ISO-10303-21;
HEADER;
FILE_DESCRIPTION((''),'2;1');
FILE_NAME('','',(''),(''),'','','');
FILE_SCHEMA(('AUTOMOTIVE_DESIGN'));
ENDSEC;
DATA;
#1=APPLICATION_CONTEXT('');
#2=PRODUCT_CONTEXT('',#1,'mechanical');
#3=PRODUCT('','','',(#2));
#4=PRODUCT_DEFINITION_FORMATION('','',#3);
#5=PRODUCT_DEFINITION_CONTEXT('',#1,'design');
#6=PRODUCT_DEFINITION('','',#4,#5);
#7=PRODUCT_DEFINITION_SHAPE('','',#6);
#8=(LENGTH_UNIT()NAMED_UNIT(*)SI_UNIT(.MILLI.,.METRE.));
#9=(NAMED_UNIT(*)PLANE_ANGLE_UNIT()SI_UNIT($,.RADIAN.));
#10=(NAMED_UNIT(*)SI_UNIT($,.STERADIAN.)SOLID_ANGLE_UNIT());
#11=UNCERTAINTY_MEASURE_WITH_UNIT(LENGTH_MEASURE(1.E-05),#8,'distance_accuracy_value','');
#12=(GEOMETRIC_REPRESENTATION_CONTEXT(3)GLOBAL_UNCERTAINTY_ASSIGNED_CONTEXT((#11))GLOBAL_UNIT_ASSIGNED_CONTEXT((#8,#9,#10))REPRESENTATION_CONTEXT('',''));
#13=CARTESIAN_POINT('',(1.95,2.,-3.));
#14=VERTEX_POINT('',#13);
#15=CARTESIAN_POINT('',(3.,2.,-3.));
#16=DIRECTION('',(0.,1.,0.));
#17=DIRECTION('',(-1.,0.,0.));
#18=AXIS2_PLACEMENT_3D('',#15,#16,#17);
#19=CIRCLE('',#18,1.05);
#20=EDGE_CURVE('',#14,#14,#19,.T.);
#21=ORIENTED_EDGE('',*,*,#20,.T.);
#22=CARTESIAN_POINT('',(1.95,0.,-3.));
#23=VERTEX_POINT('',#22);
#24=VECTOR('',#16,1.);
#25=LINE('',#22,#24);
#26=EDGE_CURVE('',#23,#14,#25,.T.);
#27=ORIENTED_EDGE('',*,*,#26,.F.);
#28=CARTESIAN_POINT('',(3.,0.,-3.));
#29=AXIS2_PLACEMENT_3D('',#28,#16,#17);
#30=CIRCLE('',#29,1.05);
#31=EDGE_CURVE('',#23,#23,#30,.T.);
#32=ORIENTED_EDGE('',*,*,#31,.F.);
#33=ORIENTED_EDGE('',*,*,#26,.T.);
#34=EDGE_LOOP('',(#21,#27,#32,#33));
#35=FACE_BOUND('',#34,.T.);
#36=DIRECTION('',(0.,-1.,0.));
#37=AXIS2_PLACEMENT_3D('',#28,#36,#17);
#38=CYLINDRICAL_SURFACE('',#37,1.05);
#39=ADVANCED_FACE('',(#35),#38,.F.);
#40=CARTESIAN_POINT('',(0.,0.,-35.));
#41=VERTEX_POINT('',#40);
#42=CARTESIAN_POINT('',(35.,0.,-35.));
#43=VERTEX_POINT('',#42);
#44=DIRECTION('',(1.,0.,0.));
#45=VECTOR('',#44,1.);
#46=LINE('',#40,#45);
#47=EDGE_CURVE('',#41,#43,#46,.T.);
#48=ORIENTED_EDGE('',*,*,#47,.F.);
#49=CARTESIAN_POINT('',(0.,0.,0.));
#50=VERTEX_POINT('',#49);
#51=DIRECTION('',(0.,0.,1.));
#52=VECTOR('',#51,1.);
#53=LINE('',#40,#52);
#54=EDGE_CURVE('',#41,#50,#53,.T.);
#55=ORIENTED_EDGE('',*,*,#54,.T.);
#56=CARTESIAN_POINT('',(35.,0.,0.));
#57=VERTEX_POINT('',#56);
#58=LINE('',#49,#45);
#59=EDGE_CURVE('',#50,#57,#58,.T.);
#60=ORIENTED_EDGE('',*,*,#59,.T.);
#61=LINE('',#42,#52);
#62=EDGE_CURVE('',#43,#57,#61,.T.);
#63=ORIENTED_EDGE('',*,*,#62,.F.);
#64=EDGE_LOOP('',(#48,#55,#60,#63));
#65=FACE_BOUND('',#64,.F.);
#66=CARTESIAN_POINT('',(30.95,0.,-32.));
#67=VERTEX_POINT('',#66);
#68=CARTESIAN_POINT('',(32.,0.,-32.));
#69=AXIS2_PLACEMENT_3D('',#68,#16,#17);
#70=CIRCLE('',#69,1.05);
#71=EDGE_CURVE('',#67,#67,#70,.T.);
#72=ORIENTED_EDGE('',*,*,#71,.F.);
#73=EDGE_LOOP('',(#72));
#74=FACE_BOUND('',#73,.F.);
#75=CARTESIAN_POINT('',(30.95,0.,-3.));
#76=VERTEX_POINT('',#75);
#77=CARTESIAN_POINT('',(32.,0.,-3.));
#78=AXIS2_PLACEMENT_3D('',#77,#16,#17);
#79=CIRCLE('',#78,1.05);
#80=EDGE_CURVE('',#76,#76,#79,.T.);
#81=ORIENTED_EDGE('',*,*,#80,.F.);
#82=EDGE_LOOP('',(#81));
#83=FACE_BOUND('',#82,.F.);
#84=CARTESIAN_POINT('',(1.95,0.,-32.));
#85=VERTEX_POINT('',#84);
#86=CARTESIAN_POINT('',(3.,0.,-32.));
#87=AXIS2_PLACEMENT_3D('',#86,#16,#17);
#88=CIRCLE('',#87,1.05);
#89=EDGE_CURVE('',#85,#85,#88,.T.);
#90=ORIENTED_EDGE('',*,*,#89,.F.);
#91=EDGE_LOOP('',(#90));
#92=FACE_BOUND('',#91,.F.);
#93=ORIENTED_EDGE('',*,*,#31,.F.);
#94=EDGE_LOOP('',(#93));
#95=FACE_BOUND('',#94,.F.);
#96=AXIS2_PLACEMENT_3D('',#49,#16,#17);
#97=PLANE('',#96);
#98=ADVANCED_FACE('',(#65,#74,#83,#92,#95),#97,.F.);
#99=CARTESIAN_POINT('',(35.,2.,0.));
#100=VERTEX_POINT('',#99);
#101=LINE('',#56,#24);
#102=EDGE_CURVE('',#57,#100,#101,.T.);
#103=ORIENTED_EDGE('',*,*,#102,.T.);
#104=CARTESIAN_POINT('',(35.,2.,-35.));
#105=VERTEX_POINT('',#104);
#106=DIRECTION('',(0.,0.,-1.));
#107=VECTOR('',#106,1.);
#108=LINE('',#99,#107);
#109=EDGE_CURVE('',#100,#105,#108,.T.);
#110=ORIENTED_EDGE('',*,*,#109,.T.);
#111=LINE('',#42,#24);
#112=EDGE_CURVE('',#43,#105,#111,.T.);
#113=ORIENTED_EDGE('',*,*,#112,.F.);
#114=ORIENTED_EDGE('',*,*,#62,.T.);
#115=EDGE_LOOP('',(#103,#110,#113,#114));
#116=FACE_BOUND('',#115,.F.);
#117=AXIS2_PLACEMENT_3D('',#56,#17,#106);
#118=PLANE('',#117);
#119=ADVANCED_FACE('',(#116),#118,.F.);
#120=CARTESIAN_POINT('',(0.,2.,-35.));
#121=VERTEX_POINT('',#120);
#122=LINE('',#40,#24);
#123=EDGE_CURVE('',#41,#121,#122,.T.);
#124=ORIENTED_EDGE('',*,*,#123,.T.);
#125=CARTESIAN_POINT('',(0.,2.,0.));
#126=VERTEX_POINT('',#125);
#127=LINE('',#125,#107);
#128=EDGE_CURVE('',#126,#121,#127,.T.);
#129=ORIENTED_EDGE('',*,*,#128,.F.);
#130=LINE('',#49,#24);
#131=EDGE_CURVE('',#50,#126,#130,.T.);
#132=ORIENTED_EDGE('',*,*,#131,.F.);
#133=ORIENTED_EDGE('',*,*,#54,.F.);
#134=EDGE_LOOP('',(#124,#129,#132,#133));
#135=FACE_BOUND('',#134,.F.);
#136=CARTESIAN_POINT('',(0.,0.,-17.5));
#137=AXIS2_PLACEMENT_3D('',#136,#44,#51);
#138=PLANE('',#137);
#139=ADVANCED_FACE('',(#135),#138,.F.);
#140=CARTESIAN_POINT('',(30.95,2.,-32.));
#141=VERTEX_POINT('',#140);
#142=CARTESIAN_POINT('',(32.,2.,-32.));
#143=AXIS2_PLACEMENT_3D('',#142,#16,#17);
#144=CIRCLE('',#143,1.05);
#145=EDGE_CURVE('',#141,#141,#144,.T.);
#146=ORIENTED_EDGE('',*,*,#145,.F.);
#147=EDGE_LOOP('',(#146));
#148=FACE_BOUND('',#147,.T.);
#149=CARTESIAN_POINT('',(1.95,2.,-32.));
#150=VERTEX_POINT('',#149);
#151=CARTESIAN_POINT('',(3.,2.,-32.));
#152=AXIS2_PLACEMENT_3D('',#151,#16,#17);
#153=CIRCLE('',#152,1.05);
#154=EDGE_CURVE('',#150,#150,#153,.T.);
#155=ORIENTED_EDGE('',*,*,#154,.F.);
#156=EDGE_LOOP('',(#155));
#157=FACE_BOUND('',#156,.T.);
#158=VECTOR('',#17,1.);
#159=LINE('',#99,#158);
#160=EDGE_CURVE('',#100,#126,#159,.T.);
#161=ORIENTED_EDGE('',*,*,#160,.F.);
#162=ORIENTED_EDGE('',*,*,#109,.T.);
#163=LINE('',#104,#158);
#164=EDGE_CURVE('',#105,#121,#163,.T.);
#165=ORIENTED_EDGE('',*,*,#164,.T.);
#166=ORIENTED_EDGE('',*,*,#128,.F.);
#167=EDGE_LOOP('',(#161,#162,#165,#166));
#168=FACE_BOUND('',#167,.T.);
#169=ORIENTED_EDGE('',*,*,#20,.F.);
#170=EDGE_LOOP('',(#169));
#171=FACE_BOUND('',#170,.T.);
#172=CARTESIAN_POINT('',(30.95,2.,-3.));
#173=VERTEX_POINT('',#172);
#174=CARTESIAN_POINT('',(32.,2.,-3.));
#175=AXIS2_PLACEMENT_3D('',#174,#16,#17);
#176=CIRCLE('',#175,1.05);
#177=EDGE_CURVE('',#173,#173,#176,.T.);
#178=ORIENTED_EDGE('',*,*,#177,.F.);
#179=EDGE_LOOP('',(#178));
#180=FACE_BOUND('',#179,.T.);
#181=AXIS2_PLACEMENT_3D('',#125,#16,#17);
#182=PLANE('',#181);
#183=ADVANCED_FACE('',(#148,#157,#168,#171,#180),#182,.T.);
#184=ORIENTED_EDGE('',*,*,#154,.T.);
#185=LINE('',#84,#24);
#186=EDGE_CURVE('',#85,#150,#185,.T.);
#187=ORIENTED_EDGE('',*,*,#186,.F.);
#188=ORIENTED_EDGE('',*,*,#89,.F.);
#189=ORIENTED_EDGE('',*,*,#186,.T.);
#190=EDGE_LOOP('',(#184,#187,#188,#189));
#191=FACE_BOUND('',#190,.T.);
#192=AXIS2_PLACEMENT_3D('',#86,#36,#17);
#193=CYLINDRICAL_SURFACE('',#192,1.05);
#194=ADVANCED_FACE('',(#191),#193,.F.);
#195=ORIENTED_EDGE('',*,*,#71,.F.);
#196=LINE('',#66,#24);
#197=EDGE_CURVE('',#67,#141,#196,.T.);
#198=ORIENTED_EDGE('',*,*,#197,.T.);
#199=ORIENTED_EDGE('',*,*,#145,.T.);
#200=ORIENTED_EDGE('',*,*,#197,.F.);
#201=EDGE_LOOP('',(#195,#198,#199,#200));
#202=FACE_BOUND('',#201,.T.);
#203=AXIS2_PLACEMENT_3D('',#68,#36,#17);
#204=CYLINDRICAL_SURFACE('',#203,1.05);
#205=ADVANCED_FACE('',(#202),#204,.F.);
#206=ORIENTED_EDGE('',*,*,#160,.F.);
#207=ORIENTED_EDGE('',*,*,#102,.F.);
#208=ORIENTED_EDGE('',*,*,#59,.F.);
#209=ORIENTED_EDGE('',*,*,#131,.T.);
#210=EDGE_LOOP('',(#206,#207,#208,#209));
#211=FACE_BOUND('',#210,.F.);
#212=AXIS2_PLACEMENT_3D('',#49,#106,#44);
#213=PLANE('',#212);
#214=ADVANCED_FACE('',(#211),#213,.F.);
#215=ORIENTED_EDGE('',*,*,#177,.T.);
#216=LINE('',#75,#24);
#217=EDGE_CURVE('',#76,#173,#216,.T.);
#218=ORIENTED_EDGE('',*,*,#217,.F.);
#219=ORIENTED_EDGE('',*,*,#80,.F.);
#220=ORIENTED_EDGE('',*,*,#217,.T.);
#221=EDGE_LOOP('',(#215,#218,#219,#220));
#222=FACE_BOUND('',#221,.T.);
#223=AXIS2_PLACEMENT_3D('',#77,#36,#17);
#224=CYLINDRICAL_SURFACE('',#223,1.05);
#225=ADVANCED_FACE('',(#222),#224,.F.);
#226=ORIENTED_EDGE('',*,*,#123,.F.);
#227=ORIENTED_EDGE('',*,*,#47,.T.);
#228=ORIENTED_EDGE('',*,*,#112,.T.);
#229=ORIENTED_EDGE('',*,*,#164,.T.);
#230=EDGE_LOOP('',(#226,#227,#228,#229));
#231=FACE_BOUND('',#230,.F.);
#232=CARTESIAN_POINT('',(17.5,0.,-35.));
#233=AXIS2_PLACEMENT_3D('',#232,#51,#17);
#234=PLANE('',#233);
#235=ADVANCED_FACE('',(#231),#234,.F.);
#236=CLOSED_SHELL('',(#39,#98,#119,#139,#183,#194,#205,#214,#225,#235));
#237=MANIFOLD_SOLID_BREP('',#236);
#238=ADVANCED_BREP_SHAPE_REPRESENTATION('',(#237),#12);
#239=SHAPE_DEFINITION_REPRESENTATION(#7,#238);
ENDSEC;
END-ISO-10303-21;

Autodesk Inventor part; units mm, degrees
ref_plane "YZ Plane" through (0, 0, 0) normal (1, 0, 0) x (0, 1, 0)
ref_plane "XZ Plane" through (0, 0, 0) normal (0, 1, 0) x (-1, 0, 0)
ref_plane "XY Plane" through (0, 0, 0) normal (0, 0, 1) x (1, 0, 0)
sketch "草图1" plane through (0, 0, 0) normal (0, 1, 0) x (-1, 0, 0)
  line L0 (0, 0) -> (-35, 0)
  line L1 (-35, 0) -> (-35, -35)
  line L2 (-35, -35) -> (0, -35)
  line L3 (0, -35) -> (0, 0)
  circle A0 centre (-3, -3) radius 1.05
  line L4 (0, -17.5) -> (-35, -17.5)
  line L5 (-17.5, 0) -> (-17.5, -35)
  circle A1 centre (-3, -32) radius 1.05
  circle A2 centre (-32, -3) radius 1.05
  circle A3 centre (-32, -32) radius 1.05
  dimension "d0" = 35
  dimension "d1" = 35
  dimension "d2" = 2.1
  dimension "d6" = 3
  dimension "d7" = 3
extrude "拉伸1" add sketch "草图1" along normal blind 2
properties part number "飞控外壳"
